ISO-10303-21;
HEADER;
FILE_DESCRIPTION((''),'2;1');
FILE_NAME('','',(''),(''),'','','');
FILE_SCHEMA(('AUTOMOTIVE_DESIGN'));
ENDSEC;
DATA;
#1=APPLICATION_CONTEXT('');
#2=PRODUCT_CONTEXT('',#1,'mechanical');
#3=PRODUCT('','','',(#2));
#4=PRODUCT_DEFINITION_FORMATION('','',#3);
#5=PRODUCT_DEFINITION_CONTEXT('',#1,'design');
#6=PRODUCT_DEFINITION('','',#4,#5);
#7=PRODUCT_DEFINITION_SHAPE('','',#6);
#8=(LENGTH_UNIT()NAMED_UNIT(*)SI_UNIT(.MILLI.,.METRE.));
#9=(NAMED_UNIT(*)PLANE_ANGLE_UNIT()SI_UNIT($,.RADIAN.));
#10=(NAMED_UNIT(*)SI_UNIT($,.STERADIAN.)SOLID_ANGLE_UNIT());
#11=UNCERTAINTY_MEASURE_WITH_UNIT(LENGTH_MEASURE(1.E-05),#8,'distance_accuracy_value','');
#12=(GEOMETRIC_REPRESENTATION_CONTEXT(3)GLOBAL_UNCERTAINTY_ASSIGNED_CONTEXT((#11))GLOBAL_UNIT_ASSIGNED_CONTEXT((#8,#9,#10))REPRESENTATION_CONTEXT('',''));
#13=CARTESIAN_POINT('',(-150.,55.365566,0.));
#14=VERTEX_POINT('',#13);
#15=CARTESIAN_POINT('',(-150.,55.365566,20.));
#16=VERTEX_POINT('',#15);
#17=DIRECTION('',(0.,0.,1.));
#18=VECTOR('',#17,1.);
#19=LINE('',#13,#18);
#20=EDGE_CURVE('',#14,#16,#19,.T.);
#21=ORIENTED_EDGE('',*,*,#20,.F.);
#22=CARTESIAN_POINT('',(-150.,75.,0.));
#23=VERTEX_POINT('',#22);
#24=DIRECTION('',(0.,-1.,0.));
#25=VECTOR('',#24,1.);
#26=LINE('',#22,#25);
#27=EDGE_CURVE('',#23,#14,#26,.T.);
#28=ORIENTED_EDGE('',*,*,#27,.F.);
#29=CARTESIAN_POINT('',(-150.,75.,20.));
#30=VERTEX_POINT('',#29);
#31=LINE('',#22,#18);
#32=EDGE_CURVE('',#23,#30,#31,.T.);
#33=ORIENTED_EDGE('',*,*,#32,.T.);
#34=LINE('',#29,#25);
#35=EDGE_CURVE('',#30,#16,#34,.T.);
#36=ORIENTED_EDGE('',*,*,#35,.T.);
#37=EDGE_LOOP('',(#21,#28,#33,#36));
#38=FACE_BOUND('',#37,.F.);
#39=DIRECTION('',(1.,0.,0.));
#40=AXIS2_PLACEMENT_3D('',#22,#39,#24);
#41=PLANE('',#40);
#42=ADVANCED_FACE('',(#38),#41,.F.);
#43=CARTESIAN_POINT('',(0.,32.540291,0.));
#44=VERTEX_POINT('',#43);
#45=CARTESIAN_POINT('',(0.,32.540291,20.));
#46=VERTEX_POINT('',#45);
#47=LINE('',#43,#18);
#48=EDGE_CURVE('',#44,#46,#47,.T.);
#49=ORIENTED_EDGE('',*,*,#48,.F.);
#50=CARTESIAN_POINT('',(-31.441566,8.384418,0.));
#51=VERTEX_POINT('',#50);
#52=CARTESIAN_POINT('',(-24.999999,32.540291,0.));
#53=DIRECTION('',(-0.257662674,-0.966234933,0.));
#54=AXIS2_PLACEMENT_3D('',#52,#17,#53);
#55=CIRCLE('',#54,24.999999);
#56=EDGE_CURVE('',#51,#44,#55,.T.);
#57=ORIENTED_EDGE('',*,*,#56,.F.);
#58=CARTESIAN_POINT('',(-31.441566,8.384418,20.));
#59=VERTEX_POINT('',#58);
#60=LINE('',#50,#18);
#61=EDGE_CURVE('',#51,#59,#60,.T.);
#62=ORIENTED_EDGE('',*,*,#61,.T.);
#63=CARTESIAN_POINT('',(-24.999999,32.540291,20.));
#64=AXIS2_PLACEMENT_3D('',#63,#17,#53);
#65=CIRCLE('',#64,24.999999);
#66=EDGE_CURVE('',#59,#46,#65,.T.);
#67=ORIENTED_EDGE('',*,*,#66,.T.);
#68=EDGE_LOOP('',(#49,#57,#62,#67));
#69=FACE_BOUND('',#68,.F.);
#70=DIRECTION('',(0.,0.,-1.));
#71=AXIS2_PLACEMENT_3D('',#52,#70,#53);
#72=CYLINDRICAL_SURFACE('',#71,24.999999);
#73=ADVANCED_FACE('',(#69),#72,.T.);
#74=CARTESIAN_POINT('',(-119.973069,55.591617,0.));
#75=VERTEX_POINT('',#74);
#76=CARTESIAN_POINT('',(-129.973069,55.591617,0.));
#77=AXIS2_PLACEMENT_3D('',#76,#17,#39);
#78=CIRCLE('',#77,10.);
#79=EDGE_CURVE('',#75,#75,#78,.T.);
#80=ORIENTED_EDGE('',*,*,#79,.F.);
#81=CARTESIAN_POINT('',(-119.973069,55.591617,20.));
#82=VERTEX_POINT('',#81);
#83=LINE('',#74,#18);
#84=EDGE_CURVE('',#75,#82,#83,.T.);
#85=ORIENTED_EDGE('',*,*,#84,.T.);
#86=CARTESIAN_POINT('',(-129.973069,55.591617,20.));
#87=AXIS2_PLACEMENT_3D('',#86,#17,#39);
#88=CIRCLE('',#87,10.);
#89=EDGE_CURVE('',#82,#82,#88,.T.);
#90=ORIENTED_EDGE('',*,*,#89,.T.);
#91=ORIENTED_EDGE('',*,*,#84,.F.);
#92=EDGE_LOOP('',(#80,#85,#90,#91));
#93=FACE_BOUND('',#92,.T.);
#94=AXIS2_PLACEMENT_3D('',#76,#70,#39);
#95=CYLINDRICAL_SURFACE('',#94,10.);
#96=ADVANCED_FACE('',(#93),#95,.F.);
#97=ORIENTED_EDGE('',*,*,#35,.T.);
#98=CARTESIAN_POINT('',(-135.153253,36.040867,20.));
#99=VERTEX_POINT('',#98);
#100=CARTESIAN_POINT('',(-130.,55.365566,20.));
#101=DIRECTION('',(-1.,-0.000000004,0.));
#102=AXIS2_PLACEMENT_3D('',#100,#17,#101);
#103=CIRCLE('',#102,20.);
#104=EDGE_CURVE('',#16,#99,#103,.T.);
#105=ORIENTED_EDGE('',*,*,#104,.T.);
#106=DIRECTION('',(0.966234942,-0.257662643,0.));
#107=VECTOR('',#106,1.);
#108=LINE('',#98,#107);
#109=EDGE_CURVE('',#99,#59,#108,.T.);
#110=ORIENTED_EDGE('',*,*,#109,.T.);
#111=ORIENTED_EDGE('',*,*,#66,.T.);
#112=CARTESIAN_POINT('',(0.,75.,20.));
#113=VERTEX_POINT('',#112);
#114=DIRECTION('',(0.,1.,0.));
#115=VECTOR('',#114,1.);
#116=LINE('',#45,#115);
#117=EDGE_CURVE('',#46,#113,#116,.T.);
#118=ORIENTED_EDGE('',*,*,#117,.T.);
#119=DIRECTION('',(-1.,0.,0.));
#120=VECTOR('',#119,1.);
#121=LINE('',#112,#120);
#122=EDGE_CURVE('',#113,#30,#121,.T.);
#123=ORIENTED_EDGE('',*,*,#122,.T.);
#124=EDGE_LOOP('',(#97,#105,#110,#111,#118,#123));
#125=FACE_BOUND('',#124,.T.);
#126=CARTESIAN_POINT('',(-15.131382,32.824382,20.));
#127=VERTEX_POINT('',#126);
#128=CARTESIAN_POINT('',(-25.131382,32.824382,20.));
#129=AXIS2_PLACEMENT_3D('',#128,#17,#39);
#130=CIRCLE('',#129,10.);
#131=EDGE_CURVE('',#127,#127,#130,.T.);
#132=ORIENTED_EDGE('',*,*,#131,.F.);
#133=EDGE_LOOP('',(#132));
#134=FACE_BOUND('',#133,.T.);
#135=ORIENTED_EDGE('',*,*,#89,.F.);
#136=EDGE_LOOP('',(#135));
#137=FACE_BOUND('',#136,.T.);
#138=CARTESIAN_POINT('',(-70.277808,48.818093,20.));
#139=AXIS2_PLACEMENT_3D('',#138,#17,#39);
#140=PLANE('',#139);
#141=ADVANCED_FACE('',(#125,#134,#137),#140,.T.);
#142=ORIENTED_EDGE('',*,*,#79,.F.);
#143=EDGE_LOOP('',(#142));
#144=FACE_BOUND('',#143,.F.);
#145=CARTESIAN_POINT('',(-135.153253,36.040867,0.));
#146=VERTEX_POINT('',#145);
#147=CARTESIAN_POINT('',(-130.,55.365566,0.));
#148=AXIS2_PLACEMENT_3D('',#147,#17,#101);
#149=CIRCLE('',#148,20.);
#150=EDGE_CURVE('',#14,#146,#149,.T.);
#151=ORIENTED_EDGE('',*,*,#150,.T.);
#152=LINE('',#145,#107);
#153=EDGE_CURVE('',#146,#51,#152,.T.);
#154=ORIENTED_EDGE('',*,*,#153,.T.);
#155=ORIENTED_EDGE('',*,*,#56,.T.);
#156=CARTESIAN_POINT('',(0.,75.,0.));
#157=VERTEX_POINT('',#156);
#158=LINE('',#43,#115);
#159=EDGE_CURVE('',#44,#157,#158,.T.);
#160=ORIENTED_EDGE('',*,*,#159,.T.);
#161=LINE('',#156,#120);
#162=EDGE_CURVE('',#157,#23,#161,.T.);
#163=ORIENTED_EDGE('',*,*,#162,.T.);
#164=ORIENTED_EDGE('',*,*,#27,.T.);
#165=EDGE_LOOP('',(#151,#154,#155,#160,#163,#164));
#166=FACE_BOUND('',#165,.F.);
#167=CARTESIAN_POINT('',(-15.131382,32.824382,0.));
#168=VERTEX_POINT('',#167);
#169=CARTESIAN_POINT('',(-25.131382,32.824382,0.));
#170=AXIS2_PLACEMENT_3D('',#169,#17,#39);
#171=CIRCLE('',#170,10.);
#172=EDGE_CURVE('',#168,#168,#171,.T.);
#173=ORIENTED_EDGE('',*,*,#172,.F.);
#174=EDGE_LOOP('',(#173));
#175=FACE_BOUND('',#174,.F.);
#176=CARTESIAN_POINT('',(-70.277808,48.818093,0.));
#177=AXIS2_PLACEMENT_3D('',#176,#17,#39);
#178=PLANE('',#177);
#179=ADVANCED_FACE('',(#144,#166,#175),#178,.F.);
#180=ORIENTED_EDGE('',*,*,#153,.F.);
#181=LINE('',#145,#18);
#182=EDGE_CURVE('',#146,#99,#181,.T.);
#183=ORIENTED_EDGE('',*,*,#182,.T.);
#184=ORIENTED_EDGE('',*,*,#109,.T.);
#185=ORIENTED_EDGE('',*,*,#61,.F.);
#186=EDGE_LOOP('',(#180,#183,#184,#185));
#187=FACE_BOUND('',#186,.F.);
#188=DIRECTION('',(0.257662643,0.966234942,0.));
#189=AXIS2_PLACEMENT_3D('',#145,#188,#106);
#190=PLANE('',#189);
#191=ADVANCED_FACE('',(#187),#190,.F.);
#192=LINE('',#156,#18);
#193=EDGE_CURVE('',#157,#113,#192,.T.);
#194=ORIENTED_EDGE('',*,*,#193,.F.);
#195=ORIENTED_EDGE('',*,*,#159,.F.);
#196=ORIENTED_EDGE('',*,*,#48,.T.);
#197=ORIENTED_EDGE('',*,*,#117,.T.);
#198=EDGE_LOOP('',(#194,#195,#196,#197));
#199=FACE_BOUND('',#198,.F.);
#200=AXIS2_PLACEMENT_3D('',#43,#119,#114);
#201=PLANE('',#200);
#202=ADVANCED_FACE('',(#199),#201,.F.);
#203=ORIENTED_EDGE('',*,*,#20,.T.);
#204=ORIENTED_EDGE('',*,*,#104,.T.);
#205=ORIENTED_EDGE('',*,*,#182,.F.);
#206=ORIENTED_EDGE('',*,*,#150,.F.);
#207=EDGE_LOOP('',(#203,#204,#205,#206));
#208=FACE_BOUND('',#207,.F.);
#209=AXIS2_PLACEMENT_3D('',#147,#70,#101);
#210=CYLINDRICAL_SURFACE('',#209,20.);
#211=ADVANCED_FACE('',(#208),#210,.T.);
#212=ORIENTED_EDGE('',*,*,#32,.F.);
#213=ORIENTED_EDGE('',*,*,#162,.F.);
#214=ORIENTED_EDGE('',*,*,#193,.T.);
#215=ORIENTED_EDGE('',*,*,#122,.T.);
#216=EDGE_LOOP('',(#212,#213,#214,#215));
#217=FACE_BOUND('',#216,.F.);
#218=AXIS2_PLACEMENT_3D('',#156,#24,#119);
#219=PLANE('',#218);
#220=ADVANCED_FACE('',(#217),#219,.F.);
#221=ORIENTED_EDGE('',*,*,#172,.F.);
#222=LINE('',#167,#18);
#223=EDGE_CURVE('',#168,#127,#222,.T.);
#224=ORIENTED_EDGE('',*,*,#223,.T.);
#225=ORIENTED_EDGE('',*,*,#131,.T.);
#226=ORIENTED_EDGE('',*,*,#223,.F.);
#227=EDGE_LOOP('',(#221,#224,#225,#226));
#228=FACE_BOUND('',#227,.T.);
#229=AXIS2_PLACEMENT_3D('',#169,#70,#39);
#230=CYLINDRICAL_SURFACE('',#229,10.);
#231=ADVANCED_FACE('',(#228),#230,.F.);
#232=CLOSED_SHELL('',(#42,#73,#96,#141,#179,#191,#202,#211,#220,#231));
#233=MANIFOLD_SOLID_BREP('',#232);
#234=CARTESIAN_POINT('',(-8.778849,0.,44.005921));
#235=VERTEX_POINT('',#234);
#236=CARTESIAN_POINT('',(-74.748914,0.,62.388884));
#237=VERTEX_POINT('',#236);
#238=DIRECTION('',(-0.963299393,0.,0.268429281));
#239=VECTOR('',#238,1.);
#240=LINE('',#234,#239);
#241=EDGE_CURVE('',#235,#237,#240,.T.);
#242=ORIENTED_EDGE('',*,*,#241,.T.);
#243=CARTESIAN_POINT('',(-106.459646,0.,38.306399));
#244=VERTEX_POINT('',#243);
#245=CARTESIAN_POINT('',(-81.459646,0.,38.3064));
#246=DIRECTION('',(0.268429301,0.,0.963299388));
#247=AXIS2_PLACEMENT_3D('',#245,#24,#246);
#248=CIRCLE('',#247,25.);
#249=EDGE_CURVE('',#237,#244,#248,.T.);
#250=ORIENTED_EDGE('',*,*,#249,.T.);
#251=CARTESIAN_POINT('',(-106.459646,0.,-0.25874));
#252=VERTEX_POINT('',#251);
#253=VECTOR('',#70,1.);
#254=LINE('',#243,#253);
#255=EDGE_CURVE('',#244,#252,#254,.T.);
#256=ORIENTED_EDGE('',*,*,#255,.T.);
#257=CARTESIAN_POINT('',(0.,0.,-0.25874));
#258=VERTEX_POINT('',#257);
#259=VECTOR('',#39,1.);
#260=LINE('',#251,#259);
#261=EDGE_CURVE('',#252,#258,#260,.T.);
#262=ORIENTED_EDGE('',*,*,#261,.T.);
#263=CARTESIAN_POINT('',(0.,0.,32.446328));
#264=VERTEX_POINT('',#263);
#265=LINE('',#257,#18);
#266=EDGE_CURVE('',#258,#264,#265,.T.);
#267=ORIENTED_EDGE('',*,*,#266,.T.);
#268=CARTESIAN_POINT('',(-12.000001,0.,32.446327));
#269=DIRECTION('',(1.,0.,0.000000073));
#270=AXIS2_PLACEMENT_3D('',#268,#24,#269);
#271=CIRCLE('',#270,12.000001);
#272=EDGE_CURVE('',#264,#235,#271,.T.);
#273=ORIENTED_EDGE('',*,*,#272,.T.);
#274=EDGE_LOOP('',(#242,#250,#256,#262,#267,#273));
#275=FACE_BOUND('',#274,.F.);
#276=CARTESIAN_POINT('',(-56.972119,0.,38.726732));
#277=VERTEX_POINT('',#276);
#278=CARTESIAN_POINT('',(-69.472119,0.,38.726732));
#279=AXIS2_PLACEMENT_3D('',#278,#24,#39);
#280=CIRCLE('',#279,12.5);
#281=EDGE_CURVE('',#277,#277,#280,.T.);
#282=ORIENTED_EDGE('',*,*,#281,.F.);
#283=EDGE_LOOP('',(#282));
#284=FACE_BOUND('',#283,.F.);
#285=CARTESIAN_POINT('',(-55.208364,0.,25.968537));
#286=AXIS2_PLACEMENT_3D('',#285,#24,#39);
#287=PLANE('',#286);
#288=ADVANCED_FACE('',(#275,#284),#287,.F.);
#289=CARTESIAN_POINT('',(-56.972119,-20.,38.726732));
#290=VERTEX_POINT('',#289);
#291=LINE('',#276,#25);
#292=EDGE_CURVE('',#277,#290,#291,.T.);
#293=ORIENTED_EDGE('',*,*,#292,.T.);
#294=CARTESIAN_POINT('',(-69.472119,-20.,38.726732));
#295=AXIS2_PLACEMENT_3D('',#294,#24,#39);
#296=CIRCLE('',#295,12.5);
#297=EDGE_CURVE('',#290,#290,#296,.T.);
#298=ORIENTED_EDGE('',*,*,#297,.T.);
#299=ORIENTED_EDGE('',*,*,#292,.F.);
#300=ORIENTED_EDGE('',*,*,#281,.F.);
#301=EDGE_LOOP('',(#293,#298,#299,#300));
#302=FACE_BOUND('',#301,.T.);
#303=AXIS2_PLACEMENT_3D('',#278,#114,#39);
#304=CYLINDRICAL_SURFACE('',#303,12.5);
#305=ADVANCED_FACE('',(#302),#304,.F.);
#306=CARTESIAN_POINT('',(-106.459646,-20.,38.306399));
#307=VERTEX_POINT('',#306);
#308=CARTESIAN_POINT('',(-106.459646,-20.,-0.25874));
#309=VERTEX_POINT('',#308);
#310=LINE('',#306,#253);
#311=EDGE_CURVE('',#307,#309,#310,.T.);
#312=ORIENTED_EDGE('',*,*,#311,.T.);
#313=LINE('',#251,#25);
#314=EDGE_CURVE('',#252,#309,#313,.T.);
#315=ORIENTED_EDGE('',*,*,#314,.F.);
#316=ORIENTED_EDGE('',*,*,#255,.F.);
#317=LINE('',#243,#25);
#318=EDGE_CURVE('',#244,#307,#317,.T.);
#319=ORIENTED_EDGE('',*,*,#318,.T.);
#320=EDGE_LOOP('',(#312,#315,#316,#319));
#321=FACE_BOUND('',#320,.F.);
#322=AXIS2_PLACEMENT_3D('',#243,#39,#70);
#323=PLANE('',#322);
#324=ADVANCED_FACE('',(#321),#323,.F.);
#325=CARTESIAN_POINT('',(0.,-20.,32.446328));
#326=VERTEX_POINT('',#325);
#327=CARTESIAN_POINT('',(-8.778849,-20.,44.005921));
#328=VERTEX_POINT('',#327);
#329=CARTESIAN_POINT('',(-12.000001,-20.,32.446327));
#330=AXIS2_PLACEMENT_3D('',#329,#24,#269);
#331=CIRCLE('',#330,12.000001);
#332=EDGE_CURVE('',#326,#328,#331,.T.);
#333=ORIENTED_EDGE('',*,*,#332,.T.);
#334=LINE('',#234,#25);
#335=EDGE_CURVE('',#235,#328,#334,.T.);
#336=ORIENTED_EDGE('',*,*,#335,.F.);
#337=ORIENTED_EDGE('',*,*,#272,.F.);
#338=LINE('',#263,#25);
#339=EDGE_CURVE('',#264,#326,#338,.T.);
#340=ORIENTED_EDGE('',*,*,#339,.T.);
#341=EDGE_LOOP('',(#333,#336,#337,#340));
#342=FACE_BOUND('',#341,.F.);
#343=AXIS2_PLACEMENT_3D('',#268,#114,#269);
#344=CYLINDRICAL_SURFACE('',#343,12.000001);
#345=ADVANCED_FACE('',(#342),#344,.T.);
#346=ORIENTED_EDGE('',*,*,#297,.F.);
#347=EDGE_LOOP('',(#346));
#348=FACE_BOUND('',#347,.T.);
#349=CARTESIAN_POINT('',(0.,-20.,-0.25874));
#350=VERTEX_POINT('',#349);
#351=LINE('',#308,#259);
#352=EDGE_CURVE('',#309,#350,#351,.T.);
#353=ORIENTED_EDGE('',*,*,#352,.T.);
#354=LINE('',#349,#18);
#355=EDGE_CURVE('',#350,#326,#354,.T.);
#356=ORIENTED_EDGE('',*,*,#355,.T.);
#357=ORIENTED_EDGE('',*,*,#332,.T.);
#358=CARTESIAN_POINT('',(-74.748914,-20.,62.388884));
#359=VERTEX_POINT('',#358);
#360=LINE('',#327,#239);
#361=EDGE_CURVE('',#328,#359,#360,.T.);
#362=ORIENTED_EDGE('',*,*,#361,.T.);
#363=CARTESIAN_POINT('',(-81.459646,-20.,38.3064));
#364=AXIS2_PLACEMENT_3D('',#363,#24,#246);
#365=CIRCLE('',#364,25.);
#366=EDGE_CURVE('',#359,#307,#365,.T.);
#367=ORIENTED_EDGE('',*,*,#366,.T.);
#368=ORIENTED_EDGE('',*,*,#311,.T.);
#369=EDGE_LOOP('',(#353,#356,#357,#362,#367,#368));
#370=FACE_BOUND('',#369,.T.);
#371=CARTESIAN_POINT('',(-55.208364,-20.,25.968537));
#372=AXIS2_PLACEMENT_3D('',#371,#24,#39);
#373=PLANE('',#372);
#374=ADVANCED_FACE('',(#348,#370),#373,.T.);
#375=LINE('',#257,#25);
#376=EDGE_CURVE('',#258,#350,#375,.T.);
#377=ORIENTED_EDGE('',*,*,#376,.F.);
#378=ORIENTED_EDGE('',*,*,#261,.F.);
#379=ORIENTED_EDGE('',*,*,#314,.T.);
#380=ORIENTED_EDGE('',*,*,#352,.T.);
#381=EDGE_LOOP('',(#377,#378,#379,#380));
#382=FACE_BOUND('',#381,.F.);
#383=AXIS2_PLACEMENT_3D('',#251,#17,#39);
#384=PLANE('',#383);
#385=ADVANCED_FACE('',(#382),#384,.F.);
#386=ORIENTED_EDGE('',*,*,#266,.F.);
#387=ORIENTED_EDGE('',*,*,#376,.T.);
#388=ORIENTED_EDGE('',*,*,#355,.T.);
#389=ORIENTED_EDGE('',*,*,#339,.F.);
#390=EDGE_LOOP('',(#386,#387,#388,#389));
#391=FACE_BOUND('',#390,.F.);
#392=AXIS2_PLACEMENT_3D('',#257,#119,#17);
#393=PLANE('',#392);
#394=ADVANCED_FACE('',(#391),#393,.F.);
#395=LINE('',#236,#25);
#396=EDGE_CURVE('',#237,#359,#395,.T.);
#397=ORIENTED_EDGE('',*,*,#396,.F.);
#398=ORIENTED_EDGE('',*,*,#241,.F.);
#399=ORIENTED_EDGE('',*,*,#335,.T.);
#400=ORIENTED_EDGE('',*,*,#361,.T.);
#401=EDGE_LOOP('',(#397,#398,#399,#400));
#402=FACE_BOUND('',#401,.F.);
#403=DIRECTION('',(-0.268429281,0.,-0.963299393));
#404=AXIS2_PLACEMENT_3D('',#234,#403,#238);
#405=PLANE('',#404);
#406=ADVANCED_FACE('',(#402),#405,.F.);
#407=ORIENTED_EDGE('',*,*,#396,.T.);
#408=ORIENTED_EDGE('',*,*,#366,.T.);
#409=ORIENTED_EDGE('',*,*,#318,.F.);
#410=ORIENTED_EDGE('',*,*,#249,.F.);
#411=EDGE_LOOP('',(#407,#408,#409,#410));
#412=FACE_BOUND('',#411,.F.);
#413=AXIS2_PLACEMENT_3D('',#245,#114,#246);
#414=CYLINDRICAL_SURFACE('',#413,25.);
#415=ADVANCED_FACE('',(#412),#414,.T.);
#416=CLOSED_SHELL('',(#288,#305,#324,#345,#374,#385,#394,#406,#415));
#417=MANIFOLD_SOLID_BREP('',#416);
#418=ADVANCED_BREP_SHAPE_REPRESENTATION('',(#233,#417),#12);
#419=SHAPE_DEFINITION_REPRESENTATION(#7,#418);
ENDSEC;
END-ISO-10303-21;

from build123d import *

# Parameters (mm, degrees)
F0_R     = 10
F1_DEPTH = 20
F2_R     = 12.5
F3_DEPTH = 20


with BuildPart() as f1:
    # F0 (on Top) → F1 (new body)
    with BuildSketch(Plane.XY):
        with BuildLine():
            Line((0, 75), (-150, 75))
            Line((-150, 75), (-150, 55.365566))
            ThreePointArc((-150, 55.365566), (-145.859777, 43.180843), (-135.153253, 36.040867))
            Line((-135.153253, 36.040867), (-31.441566, 8.384418))
            ThreePointArc((-31.441566, 8.384418), (-9.769096, 12.71557), (0, 32.540291))
            Line((0, 32.540291), (0, 75))
        make_face()
        with Locations((-25.131382, 32.824382)):
            Circle(F0_R, mode=Mode.SUBTRACT)
        with Locations((-129.973069, 55.591617)):
            Circle(F0_R, mode=Mode.SUBTRACT)
    extrude(amount=F1_DEPTH)


with BuildPart() as f3:
    # F2 (on Front) → F3 (new body)
    with BuildSketch(Plane.XZ):
        with BuildLine():
            Line((-106.459646, -0.25874), (0, -0.25874))
            Line((0, -0.25874), (0, 32.446328))
            ThreePointArc((0, 32.446328), (-2.443489, 39.703951), (-8.778849, 44.005921))
            Line((-8.778849, 44.005921), (-74.748914, 62.388884))
            ThreePointArc((-74.748914, 62.388884), (-96.579694, 58.215798), (-106.459646, 38.306399))
            Line((-106.459646, 38.306399), (-106.459646, -0.25874))
        make_face()
        with Locations((-69.472119, 38.726732)):
            Circle(F2_R, mode=Mode.SUBTRACT)
    extrude(amount=F3_DEPTH)


solid = Compound([f1.part, f3.part])
